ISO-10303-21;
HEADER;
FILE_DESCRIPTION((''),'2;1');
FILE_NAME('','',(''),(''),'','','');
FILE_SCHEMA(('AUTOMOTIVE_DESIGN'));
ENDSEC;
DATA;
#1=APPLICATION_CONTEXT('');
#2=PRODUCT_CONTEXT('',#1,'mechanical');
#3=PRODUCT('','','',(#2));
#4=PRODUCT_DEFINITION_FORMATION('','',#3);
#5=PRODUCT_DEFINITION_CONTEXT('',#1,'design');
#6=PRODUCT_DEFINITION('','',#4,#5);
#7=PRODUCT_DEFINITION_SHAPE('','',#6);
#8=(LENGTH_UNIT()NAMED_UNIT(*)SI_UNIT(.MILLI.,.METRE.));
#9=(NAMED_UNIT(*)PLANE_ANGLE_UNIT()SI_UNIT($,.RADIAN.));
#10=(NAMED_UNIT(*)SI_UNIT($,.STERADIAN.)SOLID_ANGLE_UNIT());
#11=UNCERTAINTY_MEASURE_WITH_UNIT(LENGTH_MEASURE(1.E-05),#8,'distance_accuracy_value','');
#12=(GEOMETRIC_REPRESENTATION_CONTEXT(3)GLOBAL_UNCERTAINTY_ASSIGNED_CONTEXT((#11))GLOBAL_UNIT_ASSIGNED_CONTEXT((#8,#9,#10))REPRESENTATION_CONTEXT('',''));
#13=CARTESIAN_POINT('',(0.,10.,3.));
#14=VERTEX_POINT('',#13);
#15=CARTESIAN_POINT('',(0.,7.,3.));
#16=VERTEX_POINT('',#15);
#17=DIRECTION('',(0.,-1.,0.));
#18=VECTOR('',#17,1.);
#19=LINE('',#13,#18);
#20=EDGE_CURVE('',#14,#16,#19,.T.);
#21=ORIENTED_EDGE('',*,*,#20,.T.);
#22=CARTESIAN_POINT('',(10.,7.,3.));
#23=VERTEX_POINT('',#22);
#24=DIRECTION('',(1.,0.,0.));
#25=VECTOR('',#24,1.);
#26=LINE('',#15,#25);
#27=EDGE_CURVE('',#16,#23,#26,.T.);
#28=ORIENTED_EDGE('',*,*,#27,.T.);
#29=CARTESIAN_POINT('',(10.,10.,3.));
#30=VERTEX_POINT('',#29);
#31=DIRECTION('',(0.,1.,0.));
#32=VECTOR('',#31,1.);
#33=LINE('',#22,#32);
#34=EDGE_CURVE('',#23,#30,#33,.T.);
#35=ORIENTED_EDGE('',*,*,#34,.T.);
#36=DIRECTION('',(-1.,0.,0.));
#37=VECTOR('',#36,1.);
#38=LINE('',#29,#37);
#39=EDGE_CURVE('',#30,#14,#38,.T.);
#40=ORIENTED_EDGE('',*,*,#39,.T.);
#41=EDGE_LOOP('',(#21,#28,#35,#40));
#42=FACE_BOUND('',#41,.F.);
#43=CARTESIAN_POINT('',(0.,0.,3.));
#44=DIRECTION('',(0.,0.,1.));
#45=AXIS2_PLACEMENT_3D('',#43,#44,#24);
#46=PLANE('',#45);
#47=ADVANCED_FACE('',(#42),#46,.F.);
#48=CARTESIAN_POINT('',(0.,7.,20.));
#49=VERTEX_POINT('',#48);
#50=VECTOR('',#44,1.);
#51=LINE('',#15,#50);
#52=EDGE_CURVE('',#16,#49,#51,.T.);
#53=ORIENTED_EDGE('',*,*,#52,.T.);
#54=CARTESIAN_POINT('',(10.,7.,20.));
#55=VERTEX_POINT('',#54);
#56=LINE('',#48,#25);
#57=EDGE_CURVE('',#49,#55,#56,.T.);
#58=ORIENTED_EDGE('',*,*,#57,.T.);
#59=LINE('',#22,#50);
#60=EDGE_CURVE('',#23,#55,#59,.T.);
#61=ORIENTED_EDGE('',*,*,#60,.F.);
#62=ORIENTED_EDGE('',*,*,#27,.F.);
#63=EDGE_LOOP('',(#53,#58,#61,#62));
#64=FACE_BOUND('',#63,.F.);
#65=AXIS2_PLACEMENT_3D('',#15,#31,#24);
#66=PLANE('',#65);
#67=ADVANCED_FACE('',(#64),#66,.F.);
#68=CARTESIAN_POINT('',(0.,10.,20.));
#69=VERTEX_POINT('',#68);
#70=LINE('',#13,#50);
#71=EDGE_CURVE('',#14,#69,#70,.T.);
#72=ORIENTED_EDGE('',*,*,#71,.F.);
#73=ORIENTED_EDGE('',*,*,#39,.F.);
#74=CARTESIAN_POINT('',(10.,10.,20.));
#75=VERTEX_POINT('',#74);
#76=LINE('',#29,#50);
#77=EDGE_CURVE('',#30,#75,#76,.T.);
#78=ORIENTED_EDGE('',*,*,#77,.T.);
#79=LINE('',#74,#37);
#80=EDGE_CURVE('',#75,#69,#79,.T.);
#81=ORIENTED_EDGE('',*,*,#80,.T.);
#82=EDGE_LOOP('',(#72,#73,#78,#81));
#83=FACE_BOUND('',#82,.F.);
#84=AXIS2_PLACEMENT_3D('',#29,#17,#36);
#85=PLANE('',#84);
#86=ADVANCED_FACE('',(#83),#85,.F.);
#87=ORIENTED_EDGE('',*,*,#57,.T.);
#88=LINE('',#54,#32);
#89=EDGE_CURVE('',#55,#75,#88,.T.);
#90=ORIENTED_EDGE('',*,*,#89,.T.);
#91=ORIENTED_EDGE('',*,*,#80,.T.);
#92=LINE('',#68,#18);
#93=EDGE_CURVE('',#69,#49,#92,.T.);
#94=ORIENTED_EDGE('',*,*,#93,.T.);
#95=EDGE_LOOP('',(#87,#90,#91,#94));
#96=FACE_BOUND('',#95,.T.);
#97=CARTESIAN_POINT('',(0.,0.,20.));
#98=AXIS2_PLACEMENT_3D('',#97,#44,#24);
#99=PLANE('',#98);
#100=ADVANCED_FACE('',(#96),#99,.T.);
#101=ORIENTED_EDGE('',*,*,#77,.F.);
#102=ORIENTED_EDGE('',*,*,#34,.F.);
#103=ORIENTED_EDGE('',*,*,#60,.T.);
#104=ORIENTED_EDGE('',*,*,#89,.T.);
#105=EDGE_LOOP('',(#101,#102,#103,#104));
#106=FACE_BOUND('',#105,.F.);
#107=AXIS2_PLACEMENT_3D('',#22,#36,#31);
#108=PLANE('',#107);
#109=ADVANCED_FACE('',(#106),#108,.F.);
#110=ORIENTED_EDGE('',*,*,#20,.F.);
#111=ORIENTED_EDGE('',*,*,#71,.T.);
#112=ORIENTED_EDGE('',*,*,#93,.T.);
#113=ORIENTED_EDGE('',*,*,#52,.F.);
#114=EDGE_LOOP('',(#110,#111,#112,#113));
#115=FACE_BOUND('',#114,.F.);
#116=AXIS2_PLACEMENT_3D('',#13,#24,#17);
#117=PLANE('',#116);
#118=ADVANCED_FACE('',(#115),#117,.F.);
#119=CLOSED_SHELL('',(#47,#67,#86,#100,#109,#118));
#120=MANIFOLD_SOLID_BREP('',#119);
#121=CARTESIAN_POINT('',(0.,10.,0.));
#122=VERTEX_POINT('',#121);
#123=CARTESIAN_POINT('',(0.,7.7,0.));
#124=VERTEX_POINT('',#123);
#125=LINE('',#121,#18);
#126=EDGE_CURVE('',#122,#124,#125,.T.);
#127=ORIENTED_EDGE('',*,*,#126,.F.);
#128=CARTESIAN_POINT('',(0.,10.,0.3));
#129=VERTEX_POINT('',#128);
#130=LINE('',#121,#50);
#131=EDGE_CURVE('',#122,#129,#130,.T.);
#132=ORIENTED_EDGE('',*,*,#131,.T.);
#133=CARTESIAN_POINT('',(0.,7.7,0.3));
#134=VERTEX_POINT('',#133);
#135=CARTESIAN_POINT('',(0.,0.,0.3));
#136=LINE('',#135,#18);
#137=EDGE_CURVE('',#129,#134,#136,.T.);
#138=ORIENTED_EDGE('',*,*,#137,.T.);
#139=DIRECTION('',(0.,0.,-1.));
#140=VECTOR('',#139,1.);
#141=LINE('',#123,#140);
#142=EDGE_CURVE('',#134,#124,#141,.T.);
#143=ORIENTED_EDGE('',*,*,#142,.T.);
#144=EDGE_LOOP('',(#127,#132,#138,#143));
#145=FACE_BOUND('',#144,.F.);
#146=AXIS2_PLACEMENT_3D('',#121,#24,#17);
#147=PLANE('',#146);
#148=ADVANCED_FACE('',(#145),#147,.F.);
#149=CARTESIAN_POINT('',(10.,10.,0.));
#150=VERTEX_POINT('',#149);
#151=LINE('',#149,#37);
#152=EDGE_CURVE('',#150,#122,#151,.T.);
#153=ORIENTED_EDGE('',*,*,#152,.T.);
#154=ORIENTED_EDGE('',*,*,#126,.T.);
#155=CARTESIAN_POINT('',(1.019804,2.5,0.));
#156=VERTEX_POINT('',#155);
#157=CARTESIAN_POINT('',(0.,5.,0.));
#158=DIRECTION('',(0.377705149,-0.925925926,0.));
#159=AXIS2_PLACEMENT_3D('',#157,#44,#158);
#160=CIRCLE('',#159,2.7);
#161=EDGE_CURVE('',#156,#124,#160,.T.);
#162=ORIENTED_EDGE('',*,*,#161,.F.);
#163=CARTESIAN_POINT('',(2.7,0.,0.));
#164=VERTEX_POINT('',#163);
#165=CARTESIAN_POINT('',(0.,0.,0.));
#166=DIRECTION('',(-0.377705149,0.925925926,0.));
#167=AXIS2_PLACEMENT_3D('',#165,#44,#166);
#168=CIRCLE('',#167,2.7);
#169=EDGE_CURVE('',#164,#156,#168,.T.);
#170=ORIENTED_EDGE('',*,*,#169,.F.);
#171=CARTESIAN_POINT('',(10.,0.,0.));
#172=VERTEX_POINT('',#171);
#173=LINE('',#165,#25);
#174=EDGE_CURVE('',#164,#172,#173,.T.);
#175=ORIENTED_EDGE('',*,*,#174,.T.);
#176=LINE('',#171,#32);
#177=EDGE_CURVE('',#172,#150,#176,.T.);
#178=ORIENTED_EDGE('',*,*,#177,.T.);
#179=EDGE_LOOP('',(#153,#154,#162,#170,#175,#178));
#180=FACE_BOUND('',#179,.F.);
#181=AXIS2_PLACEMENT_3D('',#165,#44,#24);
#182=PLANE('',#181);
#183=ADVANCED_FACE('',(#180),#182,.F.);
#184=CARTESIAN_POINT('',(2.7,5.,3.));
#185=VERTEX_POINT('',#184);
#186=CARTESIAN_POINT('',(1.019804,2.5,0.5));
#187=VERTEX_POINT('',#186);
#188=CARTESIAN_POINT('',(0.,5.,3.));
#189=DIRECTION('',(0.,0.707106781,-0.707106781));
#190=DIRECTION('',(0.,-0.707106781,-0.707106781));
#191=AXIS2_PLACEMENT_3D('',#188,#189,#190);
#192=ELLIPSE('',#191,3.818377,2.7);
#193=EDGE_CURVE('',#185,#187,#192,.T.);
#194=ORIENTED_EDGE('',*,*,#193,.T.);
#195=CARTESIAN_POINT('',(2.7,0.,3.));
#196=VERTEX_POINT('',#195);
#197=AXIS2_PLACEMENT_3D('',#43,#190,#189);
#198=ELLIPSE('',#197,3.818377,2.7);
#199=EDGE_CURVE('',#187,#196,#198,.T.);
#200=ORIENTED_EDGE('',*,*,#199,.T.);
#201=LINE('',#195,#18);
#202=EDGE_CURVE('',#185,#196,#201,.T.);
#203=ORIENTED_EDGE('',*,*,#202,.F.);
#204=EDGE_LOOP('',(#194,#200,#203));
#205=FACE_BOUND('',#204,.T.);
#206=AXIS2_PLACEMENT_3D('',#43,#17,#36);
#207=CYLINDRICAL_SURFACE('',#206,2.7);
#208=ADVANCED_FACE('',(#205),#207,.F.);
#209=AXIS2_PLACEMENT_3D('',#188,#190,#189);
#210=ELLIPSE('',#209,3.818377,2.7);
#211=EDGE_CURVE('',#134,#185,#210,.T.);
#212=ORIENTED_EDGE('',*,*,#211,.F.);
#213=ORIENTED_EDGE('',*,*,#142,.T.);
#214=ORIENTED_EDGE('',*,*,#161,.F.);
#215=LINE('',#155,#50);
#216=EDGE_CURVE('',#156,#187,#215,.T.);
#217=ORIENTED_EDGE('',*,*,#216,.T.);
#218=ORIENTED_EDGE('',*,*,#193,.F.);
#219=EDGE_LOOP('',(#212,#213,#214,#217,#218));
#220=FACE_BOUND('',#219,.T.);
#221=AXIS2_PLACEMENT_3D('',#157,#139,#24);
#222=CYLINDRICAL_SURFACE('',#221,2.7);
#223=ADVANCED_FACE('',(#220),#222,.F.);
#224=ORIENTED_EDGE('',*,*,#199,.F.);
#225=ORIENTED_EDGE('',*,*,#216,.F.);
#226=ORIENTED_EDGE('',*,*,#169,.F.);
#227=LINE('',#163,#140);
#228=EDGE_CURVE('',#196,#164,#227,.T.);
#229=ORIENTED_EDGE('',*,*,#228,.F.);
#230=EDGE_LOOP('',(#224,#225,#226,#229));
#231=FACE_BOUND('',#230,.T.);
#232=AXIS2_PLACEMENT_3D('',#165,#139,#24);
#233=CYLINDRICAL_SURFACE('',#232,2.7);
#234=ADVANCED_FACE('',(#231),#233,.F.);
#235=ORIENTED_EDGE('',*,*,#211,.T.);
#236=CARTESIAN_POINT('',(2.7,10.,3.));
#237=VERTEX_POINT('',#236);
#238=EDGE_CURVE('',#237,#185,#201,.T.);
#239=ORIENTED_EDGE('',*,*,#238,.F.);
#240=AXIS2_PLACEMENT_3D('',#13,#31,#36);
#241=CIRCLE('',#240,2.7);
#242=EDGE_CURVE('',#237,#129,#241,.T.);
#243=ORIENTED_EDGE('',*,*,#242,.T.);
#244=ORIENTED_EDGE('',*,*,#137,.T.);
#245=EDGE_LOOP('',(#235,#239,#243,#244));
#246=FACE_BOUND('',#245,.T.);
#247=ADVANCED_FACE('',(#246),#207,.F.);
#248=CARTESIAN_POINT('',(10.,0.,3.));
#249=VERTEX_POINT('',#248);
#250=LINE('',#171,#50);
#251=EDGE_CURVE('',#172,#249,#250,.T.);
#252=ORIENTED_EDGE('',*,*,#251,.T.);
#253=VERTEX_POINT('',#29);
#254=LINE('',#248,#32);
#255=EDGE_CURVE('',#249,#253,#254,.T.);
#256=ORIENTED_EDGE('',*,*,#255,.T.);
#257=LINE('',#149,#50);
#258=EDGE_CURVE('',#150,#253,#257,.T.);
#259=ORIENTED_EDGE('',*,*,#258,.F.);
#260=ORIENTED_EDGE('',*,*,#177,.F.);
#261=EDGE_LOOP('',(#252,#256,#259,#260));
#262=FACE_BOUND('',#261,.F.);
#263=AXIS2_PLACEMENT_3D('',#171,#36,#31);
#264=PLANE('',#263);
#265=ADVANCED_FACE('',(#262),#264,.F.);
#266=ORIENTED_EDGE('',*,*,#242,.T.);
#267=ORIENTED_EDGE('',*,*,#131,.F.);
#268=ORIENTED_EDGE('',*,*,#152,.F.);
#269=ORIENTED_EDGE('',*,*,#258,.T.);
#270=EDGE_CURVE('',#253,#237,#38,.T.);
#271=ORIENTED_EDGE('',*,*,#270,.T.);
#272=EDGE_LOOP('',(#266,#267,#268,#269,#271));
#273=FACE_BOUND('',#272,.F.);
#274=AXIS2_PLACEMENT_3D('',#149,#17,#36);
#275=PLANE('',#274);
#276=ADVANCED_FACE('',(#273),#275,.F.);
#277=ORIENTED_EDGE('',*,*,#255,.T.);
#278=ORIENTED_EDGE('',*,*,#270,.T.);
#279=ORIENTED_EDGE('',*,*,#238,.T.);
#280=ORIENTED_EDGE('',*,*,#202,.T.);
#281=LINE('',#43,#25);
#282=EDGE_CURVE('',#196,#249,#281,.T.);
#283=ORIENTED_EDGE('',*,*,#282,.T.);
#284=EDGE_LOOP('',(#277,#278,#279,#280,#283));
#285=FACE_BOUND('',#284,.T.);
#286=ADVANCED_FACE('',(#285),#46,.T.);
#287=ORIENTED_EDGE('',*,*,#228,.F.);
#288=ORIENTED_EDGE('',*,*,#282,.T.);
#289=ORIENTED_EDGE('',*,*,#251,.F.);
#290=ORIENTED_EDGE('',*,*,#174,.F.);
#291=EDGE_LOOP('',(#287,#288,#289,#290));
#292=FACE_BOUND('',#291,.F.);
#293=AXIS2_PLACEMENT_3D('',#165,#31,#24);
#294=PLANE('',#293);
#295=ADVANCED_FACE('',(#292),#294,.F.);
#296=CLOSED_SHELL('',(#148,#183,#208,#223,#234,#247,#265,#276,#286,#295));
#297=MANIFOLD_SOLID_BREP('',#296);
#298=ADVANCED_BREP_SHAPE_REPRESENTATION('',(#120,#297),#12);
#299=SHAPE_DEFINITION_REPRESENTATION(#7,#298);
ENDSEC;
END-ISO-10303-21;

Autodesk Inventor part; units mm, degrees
ref_plane "YZ Plane" through (0, 0, 0) normal (1, 0, 0) x (0, 1, 0)
ref_plane "XZ Plane" through (0, 0, 0) normal (0, 1, 0) x (-1, 0, 0)
sketch "Skizze1" plane through (0, 0, 0) normal (0, 0, 1) x (1, 0, 0)
  line L0 (0, 0) -> (10, 0)
  line L1 (10, 0) -> (10, 10)
  line L2 (10, 10) -> (0, 10)
  line L3 (0, 10) -> (0, 0)
extrude "Extrusion1" add sketch "Skizze1" along normal blind 3
ref_plane "Arbeitsebene1" through (0, 0, 3) normal (0, 0, 1) x (1, 0, 0)
sketch "Skizze2" plane through (0, 0, 3) normal (0, 0, 1) x (1, 0, 0)
  line L0 (0, 7) -> (10, 7)
  line L1 (10, 7) -> (10, 10)
  line L2 (10, 10) -> (0, 10)
  line L3 (0, 10) -> (0, 7)
extrude "Extrusion2" add sketch "Skizze2" along normal blind 17 separate body
sketch "Skizze3" plane through (0, 0, 0) normal (0, 0, 1) x (1, 0, 0)
  circle A0 centre (0, 0) radius 2.7
  circle A1 centre (0, 5) radius 2.7
extrude "Extrusion3" cut sketch "Skizze3" along normal blind 3 bodies 1
sketch "Skizze4" plane through (0, 0, 0) normal (0, 1, 0) x (-1, 0, 0)
  circle A0 centre (0, 3) radius 2.7
extrude "Extrusion4" cut sketch "Skizze4" along normal mid plane 20 bodies 1
properties part number "Eckverbinder_20x20"
